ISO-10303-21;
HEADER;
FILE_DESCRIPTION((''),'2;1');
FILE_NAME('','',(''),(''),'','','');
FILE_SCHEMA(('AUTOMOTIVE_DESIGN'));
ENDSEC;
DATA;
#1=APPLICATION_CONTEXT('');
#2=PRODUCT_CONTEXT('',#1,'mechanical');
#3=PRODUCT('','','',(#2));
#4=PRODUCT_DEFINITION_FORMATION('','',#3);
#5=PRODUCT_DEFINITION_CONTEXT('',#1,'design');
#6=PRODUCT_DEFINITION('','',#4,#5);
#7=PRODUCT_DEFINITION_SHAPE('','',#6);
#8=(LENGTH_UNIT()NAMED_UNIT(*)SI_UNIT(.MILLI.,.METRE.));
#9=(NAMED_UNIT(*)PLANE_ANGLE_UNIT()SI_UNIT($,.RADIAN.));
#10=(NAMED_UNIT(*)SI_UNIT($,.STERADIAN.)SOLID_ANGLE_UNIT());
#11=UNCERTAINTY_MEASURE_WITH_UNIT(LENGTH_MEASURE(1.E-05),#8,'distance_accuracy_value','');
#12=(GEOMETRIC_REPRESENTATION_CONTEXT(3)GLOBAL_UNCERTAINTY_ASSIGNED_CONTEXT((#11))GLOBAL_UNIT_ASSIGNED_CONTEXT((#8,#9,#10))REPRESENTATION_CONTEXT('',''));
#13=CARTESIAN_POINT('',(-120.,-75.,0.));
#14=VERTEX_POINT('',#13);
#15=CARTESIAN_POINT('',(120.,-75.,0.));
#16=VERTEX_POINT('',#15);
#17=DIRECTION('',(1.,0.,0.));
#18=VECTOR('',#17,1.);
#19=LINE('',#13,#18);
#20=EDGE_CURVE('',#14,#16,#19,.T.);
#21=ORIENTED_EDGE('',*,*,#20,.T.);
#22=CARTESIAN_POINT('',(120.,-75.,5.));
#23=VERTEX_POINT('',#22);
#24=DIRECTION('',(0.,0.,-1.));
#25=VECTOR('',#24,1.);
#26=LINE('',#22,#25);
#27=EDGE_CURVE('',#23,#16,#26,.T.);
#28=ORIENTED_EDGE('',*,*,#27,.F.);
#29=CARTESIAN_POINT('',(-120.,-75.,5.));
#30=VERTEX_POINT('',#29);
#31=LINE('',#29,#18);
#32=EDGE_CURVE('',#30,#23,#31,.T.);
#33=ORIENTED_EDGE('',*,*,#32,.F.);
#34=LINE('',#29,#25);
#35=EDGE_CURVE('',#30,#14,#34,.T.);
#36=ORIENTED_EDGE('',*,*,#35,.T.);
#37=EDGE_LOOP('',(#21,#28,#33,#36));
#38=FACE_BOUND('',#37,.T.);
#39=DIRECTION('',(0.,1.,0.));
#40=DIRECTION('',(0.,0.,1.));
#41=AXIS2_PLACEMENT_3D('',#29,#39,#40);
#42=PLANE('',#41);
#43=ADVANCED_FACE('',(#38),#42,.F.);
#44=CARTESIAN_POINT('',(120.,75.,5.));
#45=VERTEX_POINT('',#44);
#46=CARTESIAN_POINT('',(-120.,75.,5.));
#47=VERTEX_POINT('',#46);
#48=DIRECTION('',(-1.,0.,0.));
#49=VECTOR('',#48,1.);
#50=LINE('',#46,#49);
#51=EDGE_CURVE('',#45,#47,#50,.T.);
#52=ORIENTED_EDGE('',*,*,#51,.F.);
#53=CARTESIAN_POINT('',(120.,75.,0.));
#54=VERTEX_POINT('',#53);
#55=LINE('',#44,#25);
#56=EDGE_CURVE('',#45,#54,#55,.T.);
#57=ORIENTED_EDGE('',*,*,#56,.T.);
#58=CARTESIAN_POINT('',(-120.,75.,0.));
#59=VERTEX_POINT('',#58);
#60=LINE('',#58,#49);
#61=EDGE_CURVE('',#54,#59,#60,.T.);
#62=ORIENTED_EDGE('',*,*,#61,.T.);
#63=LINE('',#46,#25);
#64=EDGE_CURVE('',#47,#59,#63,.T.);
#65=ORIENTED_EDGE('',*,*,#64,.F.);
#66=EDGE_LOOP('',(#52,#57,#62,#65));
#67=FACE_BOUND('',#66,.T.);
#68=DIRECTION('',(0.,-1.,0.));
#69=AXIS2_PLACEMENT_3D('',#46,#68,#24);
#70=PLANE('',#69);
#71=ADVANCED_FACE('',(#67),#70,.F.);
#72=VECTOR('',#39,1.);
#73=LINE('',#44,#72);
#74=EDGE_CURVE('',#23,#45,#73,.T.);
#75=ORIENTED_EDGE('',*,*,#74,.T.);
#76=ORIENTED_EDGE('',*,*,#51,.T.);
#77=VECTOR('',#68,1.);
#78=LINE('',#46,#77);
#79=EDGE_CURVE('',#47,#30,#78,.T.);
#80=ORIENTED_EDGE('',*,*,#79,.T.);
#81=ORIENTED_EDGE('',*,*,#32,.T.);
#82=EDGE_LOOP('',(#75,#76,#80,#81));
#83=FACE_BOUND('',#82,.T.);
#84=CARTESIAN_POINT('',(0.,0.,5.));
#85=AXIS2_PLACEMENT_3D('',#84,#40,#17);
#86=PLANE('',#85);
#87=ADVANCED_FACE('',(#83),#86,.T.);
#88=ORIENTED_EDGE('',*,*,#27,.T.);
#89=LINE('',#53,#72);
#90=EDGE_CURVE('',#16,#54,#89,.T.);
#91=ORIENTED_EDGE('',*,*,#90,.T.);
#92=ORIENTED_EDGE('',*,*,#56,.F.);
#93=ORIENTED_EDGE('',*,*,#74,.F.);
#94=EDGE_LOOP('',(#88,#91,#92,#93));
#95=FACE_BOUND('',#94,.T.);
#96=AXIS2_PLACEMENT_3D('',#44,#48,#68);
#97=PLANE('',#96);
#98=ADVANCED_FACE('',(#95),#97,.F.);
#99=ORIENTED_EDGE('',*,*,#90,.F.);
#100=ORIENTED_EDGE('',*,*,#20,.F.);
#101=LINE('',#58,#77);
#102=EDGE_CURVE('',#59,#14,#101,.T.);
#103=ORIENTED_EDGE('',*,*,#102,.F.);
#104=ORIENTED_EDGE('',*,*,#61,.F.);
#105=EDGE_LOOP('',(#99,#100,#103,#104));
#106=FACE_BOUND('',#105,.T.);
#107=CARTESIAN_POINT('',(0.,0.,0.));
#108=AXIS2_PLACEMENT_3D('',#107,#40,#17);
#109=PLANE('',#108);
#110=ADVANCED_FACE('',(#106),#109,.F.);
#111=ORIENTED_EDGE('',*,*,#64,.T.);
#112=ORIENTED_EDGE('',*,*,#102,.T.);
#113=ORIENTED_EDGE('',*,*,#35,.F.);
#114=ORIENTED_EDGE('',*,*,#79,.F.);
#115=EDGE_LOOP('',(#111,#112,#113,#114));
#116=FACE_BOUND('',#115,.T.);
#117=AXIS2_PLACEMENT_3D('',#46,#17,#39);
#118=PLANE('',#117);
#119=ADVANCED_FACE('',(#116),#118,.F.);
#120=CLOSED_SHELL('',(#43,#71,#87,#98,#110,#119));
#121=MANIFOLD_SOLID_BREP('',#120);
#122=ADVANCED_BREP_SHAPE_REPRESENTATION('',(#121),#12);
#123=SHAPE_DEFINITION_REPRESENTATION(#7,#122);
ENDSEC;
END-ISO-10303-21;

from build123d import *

# Parameters (mm, degrees)
SKETCH1_W           = 240
SKETCH1_H           = 150
BOSS_EXTRUDE1_DEPTH = 5


with BuildPart() as part:
    # Sketch1 → Boss-Extrude1 (new body)
    with BuildSketch(Plane.XY):
        Rectangle(SKETCH1_W, SKETCH1_H)
    extrude(amount=BOSS_EXTRUDE1_DEPTH)


solid = part.part
